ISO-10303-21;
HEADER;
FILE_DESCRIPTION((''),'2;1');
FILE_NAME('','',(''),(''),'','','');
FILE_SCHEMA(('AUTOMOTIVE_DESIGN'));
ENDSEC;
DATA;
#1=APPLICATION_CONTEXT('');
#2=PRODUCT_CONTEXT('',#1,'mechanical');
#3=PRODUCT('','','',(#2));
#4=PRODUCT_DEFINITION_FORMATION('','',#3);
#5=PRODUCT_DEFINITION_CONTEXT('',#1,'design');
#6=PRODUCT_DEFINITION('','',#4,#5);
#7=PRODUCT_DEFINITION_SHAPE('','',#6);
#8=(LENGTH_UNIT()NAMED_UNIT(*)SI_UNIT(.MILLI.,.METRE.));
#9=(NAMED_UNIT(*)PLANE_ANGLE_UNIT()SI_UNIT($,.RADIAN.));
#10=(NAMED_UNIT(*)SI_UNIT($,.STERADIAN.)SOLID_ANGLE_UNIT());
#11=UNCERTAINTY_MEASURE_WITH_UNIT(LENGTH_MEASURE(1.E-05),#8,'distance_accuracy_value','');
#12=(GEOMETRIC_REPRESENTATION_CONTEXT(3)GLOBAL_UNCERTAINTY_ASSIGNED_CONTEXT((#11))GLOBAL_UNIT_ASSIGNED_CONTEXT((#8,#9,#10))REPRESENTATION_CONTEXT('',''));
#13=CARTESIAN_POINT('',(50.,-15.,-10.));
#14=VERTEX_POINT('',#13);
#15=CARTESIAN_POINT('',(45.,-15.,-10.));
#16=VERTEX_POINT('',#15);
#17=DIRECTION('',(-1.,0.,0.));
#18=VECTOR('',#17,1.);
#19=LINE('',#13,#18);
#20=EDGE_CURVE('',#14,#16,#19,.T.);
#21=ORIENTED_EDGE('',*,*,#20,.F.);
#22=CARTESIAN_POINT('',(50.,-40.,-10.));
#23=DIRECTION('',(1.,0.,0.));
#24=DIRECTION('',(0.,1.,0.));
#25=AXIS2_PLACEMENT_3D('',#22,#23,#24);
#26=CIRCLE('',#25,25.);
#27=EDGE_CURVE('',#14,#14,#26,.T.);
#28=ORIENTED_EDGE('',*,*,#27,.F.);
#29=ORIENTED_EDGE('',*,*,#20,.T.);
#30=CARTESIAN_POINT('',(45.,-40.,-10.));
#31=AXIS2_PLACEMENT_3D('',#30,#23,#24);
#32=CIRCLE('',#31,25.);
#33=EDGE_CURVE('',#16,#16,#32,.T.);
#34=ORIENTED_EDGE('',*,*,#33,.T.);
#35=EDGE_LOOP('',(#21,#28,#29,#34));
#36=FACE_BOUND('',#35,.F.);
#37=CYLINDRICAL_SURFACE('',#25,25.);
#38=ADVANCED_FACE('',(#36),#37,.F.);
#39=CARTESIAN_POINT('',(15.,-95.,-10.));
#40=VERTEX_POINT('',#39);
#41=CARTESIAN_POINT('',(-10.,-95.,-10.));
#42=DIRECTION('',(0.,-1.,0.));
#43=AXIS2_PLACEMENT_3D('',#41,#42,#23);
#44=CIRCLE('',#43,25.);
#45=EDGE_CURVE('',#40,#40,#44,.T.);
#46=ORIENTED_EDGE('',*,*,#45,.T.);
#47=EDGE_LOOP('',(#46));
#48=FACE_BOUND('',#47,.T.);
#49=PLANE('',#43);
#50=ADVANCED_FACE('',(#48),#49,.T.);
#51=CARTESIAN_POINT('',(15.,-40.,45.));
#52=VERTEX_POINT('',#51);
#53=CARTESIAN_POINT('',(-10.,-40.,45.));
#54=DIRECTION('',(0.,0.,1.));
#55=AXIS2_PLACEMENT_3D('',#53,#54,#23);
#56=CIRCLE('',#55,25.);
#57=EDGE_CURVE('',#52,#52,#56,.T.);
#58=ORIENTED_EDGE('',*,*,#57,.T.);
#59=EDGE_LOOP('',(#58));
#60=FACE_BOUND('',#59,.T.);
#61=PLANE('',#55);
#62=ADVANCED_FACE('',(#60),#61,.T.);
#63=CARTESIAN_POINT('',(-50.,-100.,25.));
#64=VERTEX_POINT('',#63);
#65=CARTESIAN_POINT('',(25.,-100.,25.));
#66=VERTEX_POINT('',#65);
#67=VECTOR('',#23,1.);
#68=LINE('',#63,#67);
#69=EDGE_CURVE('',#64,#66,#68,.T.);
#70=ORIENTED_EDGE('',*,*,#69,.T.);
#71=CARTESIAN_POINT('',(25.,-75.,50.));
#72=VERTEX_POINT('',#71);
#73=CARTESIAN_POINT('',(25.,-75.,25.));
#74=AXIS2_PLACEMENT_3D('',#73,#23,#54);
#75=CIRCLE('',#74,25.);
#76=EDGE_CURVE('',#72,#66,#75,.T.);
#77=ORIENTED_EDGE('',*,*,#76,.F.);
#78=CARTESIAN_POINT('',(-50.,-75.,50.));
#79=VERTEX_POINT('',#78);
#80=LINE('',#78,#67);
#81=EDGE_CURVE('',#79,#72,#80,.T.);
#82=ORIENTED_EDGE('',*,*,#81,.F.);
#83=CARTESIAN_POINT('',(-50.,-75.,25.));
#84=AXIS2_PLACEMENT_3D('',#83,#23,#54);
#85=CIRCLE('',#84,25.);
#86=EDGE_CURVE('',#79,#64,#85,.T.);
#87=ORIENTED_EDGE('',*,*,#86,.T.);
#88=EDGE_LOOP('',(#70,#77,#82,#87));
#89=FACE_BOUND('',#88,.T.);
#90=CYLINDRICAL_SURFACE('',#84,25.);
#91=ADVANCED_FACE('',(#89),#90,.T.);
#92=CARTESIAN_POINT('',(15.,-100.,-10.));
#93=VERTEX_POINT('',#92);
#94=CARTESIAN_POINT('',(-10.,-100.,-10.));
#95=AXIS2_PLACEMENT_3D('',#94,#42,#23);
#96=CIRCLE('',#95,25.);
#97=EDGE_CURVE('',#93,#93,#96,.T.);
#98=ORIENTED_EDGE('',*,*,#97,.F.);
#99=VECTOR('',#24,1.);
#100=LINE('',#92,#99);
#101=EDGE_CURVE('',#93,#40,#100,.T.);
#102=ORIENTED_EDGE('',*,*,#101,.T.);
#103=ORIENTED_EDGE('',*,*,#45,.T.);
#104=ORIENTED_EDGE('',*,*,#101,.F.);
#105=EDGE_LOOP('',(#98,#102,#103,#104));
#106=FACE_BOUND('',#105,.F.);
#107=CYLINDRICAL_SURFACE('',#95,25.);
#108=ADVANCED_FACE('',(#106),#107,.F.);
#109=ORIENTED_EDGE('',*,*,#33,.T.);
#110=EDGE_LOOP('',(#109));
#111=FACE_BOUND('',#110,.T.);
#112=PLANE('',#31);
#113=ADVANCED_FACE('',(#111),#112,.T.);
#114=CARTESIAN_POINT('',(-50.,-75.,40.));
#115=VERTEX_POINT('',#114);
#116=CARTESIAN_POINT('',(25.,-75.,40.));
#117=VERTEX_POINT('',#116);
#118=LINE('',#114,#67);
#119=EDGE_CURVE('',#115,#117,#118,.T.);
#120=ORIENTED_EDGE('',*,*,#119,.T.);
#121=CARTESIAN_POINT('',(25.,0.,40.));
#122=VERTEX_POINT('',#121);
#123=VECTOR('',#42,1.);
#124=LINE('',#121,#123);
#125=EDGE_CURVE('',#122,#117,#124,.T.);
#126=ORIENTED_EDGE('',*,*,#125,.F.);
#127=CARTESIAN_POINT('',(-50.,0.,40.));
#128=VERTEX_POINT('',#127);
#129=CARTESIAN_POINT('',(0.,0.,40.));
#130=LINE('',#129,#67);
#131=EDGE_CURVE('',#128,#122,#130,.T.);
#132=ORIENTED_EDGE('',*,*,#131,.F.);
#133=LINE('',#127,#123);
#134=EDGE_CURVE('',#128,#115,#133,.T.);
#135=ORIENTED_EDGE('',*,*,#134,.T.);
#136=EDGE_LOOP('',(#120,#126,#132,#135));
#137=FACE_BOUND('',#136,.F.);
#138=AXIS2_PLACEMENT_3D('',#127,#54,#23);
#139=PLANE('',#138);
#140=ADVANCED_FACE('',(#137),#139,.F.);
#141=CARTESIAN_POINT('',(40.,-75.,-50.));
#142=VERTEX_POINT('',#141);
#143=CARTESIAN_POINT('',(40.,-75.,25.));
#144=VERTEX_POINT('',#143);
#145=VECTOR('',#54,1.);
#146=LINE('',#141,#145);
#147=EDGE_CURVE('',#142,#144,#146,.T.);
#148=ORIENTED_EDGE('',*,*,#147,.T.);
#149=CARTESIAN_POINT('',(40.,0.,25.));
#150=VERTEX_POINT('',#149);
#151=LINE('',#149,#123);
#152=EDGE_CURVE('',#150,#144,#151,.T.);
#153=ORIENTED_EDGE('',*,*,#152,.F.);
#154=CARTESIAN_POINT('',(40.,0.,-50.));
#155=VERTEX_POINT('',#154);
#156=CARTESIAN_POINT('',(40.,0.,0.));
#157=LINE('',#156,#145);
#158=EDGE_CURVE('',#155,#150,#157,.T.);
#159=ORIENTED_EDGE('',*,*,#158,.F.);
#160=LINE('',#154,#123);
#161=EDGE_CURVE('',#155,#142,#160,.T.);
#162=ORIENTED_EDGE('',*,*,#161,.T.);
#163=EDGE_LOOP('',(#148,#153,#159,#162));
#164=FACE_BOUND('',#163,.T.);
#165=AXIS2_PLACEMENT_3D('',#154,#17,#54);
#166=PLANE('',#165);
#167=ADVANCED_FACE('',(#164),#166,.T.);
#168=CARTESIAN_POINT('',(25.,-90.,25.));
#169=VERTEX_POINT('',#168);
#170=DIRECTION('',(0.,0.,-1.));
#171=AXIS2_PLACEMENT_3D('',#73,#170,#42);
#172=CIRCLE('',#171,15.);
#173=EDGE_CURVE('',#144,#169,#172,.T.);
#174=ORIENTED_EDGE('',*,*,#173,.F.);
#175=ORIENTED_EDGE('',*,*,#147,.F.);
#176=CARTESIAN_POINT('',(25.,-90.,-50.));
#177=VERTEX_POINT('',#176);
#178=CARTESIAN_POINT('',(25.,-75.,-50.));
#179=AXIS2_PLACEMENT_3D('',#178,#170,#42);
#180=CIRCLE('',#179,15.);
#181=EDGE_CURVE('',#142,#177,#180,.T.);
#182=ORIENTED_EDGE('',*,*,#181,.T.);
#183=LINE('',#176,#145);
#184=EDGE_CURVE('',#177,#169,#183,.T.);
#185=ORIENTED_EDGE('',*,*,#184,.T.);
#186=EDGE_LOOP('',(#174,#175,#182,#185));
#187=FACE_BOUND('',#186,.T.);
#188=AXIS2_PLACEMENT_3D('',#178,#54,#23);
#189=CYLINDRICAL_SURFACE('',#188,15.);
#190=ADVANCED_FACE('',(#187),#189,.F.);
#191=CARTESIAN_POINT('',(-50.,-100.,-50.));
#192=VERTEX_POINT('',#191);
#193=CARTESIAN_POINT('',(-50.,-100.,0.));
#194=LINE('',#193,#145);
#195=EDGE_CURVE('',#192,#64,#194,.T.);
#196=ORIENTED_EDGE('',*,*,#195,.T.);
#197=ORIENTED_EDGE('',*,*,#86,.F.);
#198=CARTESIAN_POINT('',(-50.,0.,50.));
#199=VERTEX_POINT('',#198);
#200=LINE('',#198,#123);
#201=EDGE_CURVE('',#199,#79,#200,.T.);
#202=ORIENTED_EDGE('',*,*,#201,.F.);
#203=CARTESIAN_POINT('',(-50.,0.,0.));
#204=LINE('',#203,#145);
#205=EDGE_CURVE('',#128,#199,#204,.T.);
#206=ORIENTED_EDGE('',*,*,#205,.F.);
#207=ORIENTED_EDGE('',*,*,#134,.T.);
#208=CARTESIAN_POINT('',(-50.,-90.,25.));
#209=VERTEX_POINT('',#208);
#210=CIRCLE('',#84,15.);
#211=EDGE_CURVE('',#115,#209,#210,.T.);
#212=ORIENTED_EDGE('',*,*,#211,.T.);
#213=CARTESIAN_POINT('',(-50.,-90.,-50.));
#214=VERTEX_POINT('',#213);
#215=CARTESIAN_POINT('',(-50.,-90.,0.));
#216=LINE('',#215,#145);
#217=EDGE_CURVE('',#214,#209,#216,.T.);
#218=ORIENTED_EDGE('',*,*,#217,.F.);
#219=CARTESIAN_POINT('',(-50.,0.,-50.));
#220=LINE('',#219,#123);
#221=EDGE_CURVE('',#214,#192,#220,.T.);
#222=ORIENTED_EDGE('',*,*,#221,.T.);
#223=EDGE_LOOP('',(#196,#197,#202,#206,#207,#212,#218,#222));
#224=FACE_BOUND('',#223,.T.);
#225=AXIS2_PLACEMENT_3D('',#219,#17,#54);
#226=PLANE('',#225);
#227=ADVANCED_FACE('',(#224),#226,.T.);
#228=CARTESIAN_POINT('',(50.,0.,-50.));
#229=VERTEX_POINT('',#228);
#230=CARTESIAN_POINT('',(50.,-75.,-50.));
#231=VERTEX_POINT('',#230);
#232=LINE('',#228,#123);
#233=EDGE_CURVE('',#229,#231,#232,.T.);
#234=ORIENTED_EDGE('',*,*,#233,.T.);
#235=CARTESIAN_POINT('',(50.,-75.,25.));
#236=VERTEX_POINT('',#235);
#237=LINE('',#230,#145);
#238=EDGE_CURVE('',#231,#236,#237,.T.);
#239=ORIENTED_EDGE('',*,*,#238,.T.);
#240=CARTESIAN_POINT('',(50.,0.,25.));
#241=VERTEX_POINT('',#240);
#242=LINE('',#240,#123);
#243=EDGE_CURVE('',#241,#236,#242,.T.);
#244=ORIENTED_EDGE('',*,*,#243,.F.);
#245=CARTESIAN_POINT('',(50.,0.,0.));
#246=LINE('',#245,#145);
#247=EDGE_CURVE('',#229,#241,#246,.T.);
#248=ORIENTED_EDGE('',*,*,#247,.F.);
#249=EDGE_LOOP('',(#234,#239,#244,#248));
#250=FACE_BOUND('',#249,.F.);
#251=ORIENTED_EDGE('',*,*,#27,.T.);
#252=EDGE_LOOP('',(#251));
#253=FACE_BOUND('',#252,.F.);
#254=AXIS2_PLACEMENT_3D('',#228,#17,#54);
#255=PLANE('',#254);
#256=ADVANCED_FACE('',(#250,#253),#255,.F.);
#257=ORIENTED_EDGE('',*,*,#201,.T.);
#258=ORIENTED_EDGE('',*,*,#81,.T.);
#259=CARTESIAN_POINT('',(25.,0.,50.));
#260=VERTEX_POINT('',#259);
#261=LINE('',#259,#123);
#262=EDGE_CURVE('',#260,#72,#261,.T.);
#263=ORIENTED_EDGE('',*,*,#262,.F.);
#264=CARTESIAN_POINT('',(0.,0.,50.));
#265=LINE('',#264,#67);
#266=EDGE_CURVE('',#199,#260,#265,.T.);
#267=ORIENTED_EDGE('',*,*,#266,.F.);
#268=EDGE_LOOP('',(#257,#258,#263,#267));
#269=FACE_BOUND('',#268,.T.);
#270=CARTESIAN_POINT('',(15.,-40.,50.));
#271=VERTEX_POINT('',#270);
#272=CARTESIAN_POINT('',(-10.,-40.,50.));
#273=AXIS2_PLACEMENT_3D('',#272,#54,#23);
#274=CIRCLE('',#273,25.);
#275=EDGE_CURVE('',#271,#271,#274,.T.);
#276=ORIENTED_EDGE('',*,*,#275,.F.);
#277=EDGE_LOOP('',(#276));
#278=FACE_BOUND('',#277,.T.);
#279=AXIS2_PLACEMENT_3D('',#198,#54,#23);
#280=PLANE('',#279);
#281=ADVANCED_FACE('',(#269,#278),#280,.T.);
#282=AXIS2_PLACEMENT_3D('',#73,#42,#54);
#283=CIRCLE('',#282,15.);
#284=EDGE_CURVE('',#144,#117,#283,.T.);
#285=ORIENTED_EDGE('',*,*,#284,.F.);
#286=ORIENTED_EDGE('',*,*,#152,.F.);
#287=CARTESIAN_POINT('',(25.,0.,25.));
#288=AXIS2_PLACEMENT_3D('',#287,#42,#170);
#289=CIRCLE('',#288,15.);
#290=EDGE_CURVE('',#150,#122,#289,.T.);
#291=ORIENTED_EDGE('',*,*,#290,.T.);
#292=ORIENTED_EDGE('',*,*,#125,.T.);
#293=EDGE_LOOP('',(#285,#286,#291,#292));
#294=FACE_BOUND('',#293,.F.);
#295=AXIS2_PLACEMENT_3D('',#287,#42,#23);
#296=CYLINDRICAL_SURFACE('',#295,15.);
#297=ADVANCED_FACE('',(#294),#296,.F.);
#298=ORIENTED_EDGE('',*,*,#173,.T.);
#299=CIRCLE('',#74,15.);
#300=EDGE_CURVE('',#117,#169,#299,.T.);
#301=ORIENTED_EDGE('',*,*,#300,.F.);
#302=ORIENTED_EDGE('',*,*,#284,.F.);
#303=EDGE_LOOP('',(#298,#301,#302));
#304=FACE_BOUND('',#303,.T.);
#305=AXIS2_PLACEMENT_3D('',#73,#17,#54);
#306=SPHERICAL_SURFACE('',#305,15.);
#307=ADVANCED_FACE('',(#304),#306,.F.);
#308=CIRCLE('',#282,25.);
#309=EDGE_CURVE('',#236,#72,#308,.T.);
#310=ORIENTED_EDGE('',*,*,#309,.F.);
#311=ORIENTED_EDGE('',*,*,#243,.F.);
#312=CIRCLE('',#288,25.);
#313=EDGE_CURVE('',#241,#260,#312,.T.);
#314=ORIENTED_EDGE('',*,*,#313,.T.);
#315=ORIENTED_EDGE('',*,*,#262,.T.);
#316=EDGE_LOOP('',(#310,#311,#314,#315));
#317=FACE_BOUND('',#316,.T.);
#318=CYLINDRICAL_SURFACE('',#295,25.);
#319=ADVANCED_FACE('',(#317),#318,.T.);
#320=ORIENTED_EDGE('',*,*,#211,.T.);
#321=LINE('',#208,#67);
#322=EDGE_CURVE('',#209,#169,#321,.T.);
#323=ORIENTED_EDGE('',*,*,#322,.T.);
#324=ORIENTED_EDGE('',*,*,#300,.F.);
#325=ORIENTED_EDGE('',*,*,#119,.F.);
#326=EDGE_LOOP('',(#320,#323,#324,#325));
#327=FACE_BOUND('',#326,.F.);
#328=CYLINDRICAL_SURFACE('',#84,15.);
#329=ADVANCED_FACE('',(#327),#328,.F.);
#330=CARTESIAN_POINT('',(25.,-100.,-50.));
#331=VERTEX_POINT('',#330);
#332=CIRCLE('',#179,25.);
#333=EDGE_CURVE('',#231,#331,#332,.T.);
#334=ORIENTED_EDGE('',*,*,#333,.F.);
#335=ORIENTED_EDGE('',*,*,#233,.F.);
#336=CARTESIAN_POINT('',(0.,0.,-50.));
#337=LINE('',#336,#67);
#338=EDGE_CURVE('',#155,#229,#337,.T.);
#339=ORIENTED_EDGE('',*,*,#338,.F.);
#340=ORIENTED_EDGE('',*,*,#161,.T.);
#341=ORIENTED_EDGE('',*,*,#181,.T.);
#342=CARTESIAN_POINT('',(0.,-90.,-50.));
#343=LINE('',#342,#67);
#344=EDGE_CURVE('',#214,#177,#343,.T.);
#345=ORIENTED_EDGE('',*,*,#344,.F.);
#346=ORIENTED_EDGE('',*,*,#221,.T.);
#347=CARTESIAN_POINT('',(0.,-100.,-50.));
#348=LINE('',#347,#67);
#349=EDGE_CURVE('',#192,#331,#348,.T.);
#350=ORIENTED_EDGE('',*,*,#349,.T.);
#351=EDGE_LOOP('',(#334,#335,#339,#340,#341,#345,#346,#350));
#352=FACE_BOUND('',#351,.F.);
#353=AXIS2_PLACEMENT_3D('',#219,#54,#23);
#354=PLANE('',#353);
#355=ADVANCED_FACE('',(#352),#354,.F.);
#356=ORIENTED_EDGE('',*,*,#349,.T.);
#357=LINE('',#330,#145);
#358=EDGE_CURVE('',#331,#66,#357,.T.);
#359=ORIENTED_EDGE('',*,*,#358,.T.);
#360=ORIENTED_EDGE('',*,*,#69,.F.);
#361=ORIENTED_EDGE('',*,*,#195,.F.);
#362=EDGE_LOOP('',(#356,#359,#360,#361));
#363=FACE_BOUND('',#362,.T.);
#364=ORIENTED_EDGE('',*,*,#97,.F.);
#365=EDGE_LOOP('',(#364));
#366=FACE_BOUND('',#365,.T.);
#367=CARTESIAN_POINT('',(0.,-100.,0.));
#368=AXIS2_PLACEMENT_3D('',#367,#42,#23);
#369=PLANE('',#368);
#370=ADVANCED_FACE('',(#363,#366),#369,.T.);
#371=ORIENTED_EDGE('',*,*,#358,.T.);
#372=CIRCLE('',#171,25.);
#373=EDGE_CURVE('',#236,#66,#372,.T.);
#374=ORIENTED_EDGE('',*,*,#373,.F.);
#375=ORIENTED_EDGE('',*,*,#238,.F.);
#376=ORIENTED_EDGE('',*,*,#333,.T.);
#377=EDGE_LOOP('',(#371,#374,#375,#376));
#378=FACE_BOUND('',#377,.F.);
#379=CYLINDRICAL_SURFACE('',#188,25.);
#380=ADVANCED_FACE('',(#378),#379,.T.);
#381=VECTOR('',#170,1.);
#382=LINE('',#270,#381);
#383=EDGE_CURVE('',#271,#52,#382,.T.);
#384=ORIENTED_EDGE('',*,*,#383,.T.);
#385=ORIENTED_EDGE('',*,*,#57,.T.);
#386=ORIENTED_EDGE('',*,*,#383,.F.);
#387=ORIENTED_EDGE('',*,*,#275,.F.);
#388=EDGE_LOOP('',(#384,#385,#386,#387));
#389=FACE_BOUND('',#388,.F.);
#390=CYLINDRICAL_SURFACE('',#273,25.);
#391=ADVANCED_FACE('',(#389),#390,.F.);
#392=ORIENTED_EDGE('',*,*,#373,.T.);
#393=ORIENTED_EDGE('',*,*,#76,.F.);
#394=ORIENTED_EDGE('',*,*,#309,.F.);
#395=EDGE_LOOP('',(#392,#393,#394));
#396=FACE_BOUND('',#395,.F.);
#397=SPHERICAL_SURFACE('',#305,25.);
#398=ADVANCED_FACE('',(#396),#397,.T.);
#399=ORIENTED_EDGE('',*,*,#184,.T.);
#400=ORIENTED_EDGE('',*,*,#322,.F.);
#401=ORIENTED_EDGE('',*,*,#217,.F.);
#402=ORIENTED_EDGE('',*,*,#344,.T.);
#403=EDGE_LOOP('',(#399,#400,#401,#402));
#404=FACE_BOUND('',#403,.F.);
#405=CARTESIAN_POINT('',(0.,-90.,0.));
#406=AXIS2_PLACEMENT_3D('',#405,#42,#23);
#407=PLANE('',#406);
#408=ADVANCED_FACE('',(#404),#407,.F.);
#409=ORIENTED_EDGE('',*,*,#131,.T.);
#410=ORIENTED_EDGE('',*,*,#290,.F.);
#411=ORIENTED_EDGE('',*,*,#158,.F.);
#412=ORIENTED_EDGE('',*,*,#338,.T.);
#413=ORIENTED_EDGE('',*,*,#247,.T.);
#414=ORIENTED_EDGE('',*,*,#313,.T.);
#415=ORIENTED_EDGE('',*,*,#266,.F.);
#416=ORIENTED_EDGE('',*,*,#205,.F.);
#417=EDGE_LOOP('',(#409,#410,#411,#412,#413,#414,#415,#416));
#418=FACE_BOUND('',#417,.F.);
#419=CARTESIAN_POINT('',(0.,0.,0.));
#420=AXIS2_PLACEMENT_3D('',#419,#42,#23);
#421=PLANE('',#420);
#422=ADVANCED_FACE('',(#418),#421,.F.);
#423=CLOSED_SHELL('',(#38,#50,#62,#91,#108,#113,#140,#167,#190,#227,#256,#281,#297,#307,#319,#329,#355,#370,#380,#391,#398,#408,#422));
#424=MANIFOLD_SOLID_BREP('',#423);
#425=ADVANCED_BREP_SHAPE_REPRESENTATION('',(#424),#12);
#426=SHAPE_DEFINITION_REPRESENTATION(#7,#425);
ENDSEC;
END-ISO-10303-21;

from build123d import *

# Parameters (mm, degrees)
F0_W     = 100
F0_H     = 100
F1_DEPTH = 100
F2_R     = 25
F3_T     = -10
F4_R     = 25
F5_DEPTH = 5
F6_R     = 25
F7_DEPTH = 5
F8_R     = 25
F9_DEPTH = 5


with BuildPart() as f1:
    # F0 (on Front) → F1 (new body)
    with BuildSketch(Plane.XZ):
        Rectangle(F0_W, F0_H)
    extrude(amount=F1_DEPTH)

    # F2
    f2_edges = [f1.edges().sort_by_distance(p)[0] for p in [
        (0, -100, 50),
        (50, -50, 50),
        (50, -100, 0),
    ]]
    fillet(f2_edges, radius=F2_R)

    # F3
    f3_openings = [f1.faces().sort_by_distance(p)[0] for p in [
        (-50, -49.396169, -0.603831),
        (-0.603831, 0, -0.603831),
        (-0.603831, -49.396169, -50),
    ]]
    offset(amount=F3_T, openings=f3_openings)

    # F4 (on face) → F5 (cut)
    with BuildSketch(Plane.XZ.offset(100)):
        with Locations((-10, -10)):
            Circle(F4_R)
    extrude(amount=-F5_DEPTH, mode=Mode.SUBTRACT)

    # F6 (on face) → F7 (cut)
    with BuildSketch(Plane.YZ.offset(50)):
        with Locations((-40, -10)):
            Circle(F6_R)
    extrude(amount=-F7_DEPTH, mode=Mode.SUBTRACT)

    # F8 (on face) → F9 (cut)
    with BuildSketch(Plane.XY.offset(50)):
        with Locations((-10, -40)):
            Circle(F8_R)
    extrude(amount=-F9_DEPTH, mode=Mode.SUBTRACT)


solid = f1.part
